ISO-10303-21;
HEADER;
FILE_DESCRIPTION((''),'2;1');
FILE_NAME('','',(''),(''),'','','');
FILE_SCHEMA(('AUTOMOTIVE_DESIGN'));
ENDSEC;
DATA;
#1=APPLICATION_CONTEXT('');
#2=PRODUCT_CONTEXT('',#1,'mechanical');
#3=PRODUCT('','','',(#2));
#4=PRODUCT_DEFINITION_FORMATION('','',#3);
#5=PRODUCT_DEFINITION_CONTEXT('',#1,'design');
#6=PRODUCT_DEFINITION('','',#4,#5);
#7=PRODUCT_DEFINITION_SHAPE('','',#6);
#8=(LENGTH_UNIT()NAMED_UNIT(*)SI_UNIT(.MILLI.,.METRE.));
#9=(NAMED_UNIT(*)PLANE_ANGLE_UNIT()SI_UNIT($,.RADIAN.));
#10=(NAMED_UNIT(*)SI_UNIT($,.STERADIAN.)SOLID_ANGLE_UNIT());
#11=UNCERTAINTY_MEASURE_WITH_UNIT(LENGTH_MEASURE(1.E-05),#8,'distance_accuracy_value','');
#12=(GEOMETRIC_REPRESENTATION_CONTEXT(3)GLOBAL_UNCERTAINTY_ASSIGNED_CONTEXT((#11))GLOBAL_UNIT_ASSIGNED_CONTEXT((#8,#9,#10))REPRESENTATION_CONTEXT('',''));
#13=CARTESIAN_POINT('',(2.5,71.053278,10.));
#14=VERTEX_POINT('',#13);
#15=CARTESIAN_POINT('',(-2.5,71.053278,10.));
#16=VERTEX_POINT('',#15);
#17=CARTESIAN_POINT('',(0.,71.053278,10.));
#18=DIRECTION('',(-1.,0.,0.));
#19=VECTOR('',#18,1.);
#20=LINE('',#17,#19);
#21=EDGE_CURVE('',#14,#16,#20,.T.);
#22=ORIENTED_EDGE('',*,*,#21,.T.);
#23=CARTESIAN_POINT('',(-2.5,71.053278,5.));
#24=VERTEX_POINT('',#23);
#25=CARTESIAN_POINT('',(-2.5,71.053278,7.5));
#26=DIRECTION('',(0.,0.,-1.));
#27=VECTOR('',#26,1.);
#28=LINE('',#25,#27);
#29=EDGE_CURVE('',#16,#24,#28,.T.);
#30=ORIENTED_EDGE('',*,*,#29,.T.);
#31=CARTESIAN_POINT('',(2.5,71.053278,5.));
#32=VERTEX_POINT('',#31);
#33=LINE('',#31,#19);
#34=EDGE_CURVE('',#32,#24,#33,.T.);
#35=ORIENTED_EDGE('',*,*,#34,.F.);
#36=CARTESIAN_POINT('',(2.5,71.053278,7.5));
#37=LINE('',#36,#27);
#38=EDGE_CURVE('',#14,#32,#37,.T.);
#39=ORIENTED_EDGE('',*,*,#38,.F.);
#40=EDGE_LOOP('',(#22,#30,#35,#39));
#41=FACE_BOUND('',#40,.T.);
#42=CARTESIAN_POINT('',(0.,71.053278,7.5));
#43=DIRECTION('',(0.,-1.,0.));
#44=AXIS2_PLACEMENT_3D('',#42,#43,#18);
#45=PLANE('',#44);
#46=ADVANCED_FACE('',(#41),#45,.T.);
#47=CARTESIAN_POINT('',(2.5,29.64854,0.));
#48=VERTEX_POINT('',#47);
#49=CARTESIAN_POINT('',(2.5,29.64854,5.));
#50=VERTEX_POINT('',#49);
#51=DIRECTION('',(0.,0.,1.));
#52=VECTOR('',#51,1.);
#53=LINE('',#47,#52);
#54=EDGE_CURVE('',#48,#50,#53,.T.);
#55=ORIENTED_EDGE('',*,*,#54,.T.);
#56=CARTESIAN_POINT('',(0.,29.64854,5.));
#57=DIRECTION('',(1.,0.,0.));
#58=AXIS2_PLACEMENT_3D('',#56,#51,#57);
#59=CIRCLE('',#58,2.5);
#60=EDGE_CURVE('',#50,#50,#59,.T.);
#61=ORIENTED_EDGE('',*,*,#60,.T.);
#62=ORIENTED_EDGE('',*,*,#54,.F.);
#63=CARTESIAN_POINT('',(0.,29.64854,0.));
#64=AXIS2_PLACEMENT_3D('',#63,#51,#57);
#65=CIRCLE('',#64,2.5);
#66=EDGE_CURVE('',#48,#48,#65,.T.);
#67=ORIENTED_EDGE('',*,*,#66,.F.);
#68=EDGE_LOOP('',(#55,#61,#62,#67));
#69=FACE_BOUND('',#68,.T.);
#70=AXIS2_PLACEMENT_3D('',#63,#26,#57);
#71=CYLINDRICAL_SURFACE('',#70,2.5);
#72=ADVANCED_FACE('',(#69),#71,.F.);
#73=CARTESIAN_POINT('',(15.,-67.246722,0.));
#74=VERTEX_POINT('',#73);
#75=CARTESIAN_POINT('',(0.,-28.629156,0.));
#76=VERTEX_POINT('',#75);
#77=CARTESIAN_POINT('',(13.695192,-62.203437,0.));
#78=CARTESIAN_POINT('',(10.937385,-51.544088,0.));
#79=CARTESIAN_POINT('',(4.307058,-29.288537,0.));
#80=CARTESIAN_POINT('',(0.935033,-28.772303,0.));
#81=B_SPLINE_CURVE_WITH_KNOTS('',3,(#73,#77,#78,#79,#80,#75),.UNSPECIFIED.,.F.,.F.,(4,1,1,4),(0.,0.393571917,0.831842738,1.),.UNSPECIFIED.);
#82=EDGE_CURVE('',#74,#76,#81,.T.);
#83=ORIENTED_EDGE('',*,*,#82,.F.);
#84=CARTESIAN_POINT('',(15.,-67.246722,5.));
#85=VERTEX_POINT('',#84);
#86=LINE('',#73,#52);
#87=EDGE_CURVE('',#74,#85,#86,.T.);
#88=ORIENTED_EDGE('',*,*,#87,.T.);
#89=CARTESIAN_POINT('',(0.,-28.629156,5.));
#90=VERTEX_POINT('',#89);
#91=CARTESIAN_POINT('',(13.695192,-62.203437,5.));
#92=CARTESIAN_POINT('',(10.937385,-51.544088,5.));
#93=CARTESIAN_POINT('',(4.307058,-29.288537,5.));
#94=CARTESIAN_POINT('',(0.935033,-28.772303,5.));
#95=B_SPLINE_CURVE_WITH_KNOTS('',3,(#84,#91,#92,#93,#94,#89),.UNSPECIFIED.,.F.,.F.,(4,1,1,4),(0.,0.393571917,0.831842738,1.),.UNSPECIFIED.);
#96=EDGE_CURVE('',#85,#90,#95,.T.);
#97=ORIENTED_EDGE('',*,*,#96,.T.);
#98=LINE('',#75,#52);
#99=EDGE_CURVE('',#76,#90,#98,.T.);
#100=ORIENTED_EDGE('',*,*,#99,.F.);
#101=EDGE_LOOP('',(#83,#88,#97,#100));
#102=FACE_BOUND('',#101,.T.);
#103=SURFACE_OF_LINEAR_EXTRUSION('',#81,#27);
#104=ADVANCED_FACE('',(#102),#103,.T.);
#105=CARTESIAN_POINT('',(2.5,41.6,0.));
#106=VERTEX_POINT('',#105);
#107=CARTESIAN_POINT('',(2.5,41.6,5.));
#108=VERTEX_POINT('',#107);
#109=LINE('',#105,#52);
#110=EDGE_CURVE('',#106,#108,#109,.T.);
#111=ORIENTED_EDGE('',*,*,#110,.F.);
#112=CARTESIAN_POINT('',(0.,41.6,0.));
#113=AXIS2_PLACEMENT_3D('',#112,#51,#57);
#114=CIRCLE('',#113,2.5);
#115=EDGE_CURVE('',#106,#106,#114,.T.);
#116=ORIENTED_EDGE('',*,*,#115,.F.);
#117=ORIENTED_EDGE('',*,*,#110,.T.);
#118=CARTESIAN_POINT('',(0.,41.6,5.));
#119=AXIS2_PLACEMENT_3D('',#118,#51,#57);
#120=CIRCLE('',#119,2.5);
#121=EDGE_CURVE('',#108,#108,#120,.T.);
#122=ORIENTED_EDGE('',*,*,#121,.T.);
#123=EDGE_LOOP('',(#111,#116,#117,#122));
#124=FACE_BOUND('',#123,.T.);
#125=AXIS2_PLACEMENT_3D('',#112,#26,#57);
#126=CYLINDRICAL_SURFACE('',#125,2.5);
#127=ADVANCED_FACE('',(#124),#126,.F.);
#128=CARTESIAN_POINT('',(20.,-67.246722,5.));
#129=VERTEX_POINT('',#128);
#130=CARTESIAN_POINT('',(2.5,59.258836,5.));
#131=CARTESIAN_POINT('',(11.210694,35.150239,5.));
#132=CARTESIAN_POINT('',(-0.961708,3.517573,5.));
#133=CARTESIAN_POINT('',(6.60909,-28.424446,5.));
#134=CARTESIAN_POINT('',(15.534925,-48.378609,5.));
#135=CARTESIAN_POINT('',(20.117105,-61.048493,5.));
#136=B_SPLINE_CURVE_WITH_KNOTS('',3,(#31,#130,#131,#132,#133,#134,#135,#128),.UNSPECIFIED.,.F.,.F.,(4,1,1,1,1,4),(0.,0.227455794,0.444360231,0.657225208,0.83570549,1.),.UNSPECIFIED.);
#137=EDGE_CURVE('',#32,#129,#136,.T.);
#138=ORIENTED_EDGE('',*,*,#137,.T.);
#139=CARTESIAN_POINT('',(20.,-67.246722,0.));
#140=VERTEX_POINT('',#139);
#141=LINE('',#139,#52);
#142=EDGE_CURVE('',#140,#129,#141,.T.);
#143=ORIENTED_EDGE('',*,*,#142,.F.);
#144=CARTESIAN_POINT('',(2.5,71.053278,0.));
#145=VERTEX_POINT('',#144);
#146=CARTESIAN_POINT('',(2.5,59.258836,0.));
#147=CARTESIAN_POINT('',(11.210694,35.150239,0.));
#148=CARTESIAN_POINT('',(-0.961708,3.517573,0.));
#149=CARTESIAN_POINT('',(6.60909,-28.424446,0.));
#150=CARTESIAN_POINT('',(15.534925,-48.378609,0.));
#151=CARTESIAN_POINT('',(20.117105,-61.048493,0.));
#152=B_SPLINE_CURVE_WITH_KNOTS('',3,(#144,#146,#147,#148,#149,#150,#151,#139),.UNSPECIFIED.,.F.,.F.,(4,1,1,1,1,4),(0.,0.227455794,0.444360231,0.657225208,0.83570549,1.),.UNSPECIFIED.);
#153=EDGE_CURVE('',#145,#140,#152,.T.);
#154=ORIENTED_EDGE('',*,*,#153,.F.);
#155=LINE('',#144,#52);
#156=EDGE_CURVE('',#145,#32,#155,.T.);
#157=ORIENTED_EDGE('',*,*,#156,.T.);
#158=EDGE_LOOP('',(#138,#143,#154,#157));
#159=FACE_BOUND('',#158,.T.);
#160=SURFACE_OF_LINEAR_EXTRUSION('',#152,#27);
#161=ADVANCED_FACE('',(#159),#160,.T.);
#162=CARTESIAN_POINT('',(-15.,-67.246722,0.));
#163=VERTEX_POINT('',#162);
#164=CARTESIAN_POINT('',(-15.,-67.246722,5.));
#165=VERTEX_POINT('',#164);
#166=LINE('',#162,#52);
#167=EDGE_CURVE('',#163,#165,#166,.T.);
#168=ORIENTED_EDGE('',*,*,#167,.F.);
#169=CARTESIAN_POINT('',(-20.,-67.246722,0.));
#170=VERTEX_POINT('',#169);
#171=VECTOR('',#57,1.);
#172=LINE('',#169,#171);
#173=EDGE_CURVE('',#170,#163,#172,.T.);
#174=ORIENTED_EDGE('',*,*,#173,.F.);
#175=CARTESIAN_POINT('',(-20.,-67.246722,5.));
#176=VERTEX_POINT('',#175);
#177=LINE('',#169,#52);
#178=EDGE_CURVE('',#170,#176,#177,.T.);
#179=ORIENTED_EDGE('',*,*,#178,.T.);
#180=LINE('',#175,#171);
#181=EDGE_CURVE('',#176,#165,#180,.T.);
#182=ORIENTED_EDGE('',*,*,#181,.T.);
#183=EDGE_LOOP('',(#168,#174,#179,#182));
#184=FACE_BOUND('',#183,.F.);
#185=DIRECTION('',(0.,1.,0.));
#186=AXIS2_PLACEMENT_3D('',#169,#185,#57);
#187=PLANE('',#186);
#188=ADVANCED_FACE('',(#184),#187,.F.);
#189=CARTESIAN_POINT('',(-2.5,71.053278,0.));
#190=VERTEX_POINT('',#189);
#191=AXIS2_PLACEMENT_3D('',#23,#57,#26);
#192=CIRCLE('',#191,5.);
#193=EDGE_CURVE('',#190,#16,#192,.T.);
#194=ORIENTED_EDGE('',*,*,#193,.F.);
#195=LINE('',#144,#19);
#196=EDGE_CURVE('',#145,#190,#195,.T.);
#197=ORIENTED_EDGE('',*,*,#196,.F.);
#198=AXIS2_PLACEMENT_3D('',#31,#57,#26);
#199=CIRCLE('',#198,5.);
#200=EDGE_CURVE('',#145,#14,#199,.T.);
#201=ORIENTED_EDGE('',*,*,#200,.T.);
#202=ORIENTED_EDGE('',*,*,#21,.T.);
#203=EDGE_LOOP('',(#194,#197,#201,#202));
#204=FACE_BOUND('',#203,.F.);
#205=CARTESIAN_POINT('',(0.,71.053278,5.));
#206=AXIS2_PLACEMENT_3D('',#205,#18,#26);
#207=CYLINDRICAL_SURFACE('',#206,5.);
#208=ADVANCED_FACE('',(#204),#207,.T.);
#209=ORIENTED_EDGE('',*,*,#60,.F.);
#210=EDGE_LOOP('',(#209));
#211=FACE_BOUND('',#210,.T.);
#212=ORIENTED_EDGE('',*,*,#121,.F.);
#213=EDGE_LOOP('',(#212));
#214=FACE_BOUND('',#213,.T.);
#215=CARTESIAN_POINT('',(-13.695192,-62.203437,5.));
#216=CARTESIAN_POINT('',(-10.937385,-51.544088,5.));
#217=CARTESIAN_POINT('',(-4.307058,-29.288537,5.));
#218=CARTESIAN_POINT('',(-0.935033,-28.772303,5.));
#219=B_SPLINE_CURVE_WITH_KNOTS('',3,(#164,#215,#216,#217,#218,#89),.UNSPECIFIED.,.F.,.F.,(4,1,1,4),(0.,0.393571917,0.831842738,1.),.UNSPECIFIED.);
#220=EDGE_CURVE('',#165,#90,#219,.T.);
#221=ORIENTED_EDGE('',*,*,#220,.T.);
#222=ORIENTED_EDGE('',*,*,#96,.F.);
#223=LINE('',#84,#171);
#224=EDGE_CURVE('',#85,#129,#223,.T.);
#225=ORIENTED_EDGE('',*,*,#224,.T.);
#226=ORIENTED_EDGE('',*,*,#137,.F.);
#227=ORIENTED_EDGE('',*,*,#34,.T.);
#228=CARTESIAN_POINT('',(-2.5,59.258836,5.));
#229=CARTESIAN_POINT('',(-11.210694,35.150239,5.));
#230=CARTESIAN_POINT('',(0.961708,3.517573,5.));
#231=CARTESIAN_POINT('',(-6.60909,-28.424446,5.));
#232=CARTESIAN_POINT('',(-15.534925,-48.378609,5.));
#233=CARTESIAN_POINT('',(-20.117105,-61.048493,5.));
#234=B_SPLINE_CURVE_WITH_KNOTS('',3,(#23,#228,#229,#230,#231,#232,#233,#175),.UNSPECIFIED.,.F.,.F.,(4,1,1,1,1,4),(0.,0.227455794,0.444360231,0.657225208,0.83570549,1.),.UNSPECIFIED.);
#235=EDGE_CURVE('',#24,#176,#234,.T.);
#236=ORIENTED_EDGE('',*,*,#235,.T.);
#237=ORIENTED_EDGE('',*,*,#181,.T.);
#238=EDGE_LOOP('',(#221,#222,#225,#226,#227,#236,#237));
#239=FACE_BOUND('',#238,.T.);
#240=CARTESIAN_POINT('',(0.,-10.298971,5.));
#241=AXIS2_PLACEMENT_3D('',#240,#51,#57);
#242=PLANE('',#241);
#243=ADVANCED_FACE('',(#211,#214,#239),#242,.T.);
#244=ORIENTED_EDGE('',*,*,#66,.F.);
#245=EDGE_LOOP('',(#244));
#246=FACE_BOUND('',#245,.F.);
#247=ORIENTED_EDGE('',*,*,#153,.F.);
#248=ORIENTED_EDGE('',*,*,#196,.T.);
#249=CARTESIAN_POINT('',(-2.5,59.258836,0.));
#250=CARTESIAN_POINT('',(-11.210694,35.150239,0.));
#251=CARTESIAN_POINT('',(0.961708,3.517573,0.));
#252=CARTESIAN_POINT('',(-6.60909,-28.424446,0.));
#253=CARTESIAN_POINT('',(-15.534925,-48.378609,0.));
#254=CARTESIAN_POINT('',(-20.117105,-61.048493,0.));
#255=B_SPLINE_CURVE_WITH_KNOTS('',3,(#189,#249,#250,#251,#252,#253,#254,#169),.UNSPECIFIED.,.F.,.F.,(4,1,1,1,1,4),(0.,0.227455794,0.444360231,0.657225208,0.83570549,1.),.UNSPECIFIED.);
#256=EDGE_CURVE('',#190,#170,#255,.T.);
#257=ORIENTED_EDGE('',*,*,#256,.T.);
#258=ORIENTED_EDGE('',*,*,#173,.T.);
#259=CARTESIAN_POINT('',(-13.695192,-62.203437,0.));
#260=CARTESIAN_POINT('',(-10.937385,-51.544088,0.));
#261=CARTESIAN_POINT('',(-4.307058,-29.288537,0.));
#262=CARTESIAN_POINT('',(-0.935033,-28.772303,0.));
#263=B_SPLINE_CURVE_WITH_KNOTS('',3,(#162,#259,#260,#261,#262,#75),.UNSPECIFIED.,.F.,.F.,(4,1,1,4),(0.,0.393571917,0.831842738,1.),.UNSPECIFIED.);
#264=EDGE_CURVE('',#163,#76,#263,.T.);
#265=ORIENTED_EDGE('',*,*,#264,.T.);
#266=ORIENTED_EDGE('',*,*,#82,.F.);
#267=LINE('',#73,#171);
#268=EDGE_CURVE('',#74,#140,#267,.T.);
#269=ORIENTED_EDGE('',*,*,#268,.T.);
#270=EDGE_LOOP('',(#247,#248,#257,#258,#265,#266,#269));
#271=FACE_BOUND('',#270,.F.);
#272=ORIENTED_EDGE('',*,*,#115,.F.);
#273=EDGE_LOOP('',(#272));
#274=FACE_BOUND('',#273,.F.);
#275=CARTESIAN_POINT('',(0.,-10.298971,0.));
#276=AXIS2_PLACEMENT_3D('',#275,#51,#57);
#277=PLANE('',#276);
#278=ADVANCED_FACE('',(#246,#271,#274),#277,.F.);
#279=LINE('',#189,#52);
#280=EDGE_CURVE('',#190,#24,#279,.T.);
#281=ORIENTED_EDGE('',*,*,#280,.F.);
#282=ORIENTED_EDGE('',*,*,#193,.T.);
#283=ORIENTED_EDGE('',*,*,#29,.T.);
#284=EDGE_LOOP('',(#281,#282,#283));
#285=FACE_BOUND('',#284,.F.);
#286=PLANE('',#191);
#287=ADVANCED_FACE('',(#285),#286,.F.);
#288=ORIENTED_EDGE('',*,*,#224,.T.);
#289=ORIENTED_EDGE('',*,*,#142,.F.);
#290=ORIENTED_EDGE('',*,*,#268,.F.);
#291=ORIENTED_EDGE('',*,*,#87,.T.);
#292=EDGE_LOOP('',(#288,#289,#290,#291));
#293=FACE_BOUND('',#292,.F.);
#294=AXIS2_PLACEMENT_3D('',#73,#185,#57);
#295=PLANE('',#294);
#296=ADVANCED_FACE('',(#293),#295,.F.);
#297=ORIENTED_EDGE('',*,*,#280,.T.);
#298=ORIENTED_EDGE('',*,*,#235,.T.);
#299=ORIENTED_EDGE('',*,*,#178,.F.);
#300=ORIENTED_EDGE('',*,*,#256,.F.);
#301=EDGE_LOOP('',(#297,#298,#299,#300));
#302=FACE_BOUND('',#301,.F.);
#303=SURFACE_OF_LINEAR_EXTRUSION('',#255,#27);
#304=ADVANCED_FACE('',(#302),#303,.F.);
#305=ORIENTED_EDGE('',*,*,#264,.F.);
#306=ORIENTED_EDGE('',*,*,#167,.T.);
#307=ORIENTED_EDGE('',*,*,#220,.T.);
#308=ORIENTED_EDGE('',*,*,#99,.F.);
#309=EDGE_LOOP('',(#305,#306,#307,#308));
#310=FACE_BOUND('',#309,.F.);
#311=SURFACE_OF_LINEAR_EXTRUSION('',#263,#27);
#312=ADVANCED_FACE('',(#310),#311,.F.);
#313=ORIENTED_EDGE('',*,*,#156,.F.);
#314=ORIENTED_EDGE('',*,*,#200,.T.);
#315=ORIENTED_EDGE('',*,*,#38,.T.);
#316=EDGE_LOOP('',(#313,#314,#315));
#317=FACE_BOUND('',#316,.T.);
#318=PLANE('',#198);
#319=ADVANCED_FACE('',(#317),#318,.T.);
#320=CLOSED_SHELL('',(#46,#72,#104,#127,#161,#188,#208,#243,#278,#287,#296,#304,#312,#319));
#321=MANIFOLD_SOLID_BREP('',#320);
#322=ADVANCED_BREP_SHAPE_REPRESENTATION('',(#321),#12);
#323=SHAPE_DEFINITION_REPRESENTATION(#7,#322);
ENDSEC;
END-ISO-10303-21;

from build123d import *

# Parameters (mm, degrees)
F0_R      = 2.5
F1_DEPTH  = 5
F1_FACE_W = 5
F1_FACE_H = 5
F2_ANGLE  = 180


with BuildPart() as f1:
    # F0 (on Top) → F1 (new body)
    with BuildSketch(Plane.XY):
        with BuildLine():
            Line((2.5, 71.0532781467), (-2.5, 71.0532781467))
            add(Edge.make_bspline(
                [(-2.5, 71.0532781467), (-2.5, 59.2588360598), (-11.2106935248, 35.150238709), (0.9617077508, 3.5175734057), (-6.6090899261, -28.4244456993), (-15.5349249125, -48.3786091549), (-20.1171046806, -61.0484929135), (-20, -67.2467218533)],
                knots=[0, 0, 0, 0, 0.2274557939, 0.4443602309, 0.6572252083, 0.83570549, 1, 1, 1, 1], degree=3))
            Line((-20, -67.2467218533), (-15, -67.2467218533))
            add(Edge.make_bspline(
                [(-15, -67.2467218533), (-13.6951917767, -62.2034367205), (-10.9373851349, -51.5440884827), (-4.3070577646, -29.2885366167), (-0.9350332332, -28.7723029576), (0, -28.6291558295)],
                knots=[0, 0, 0, 0, 0.3935719165, 0.8318427383, 1, 1, 1, 1], degree=3))
            add(Edge.make_bspline(
                [(15, -67.2467218533), (13.6951917767, -62.2034367205), (10.9373851349, -51.5440884827), (4.3070577646, -29.2885366167), (0.9350332332, -28.7723029576), (0, -28.6291558295)],
                knots=[0, 0, 0, 0, 0.3935719165, 0.8318427383, 1, 1, 1, 1], degree=3))
            Line((15, -67.2467218533), (20, -67.2467218533))
            add(Edge.make_bspline(
                [(2.5, 71.0532781467), (2.5, 59.2588360598), (11.2106935248, 35.150238709), (-0.9617077508, 3.5175734057), (6.6090899261, -28.4244456993), (15.5349249125, -48.3786091549), (20.1171046806, -61.0484929135), (20, -67.2467218533)],
                knots=[0, 0, 0, 0, 0.2274557939, 0.4443602309, 0.6572252083, 0.83570549, 1, 1, 1, 1], degree=3))
        make_face()
        with Locations((0, 29.6485398369)):
            Circle(F0_R, mode=Mode.SUBTRACT)
        with Locations((0, 41.6)):
            Circle(F0_R, mode=Mode.SUBTRACT)
    extrude(amount=F1_DEPTH)

    # F1_face (on face) → F2 (revolve)
    with BuildSketch(Plane(origin=(0, 71.0532781467, 2.5), x_dir=(-1, 0, 0), z_dir=(0, 1, 0))):
        Rectangle(F1_FACE_W, F1_FACE_H)
    revolve(axis=Axis((0, 71.0532781467, 5), (1, 0, 0)), revolution_arc=F2_ANGLE)


solid = f1.part
